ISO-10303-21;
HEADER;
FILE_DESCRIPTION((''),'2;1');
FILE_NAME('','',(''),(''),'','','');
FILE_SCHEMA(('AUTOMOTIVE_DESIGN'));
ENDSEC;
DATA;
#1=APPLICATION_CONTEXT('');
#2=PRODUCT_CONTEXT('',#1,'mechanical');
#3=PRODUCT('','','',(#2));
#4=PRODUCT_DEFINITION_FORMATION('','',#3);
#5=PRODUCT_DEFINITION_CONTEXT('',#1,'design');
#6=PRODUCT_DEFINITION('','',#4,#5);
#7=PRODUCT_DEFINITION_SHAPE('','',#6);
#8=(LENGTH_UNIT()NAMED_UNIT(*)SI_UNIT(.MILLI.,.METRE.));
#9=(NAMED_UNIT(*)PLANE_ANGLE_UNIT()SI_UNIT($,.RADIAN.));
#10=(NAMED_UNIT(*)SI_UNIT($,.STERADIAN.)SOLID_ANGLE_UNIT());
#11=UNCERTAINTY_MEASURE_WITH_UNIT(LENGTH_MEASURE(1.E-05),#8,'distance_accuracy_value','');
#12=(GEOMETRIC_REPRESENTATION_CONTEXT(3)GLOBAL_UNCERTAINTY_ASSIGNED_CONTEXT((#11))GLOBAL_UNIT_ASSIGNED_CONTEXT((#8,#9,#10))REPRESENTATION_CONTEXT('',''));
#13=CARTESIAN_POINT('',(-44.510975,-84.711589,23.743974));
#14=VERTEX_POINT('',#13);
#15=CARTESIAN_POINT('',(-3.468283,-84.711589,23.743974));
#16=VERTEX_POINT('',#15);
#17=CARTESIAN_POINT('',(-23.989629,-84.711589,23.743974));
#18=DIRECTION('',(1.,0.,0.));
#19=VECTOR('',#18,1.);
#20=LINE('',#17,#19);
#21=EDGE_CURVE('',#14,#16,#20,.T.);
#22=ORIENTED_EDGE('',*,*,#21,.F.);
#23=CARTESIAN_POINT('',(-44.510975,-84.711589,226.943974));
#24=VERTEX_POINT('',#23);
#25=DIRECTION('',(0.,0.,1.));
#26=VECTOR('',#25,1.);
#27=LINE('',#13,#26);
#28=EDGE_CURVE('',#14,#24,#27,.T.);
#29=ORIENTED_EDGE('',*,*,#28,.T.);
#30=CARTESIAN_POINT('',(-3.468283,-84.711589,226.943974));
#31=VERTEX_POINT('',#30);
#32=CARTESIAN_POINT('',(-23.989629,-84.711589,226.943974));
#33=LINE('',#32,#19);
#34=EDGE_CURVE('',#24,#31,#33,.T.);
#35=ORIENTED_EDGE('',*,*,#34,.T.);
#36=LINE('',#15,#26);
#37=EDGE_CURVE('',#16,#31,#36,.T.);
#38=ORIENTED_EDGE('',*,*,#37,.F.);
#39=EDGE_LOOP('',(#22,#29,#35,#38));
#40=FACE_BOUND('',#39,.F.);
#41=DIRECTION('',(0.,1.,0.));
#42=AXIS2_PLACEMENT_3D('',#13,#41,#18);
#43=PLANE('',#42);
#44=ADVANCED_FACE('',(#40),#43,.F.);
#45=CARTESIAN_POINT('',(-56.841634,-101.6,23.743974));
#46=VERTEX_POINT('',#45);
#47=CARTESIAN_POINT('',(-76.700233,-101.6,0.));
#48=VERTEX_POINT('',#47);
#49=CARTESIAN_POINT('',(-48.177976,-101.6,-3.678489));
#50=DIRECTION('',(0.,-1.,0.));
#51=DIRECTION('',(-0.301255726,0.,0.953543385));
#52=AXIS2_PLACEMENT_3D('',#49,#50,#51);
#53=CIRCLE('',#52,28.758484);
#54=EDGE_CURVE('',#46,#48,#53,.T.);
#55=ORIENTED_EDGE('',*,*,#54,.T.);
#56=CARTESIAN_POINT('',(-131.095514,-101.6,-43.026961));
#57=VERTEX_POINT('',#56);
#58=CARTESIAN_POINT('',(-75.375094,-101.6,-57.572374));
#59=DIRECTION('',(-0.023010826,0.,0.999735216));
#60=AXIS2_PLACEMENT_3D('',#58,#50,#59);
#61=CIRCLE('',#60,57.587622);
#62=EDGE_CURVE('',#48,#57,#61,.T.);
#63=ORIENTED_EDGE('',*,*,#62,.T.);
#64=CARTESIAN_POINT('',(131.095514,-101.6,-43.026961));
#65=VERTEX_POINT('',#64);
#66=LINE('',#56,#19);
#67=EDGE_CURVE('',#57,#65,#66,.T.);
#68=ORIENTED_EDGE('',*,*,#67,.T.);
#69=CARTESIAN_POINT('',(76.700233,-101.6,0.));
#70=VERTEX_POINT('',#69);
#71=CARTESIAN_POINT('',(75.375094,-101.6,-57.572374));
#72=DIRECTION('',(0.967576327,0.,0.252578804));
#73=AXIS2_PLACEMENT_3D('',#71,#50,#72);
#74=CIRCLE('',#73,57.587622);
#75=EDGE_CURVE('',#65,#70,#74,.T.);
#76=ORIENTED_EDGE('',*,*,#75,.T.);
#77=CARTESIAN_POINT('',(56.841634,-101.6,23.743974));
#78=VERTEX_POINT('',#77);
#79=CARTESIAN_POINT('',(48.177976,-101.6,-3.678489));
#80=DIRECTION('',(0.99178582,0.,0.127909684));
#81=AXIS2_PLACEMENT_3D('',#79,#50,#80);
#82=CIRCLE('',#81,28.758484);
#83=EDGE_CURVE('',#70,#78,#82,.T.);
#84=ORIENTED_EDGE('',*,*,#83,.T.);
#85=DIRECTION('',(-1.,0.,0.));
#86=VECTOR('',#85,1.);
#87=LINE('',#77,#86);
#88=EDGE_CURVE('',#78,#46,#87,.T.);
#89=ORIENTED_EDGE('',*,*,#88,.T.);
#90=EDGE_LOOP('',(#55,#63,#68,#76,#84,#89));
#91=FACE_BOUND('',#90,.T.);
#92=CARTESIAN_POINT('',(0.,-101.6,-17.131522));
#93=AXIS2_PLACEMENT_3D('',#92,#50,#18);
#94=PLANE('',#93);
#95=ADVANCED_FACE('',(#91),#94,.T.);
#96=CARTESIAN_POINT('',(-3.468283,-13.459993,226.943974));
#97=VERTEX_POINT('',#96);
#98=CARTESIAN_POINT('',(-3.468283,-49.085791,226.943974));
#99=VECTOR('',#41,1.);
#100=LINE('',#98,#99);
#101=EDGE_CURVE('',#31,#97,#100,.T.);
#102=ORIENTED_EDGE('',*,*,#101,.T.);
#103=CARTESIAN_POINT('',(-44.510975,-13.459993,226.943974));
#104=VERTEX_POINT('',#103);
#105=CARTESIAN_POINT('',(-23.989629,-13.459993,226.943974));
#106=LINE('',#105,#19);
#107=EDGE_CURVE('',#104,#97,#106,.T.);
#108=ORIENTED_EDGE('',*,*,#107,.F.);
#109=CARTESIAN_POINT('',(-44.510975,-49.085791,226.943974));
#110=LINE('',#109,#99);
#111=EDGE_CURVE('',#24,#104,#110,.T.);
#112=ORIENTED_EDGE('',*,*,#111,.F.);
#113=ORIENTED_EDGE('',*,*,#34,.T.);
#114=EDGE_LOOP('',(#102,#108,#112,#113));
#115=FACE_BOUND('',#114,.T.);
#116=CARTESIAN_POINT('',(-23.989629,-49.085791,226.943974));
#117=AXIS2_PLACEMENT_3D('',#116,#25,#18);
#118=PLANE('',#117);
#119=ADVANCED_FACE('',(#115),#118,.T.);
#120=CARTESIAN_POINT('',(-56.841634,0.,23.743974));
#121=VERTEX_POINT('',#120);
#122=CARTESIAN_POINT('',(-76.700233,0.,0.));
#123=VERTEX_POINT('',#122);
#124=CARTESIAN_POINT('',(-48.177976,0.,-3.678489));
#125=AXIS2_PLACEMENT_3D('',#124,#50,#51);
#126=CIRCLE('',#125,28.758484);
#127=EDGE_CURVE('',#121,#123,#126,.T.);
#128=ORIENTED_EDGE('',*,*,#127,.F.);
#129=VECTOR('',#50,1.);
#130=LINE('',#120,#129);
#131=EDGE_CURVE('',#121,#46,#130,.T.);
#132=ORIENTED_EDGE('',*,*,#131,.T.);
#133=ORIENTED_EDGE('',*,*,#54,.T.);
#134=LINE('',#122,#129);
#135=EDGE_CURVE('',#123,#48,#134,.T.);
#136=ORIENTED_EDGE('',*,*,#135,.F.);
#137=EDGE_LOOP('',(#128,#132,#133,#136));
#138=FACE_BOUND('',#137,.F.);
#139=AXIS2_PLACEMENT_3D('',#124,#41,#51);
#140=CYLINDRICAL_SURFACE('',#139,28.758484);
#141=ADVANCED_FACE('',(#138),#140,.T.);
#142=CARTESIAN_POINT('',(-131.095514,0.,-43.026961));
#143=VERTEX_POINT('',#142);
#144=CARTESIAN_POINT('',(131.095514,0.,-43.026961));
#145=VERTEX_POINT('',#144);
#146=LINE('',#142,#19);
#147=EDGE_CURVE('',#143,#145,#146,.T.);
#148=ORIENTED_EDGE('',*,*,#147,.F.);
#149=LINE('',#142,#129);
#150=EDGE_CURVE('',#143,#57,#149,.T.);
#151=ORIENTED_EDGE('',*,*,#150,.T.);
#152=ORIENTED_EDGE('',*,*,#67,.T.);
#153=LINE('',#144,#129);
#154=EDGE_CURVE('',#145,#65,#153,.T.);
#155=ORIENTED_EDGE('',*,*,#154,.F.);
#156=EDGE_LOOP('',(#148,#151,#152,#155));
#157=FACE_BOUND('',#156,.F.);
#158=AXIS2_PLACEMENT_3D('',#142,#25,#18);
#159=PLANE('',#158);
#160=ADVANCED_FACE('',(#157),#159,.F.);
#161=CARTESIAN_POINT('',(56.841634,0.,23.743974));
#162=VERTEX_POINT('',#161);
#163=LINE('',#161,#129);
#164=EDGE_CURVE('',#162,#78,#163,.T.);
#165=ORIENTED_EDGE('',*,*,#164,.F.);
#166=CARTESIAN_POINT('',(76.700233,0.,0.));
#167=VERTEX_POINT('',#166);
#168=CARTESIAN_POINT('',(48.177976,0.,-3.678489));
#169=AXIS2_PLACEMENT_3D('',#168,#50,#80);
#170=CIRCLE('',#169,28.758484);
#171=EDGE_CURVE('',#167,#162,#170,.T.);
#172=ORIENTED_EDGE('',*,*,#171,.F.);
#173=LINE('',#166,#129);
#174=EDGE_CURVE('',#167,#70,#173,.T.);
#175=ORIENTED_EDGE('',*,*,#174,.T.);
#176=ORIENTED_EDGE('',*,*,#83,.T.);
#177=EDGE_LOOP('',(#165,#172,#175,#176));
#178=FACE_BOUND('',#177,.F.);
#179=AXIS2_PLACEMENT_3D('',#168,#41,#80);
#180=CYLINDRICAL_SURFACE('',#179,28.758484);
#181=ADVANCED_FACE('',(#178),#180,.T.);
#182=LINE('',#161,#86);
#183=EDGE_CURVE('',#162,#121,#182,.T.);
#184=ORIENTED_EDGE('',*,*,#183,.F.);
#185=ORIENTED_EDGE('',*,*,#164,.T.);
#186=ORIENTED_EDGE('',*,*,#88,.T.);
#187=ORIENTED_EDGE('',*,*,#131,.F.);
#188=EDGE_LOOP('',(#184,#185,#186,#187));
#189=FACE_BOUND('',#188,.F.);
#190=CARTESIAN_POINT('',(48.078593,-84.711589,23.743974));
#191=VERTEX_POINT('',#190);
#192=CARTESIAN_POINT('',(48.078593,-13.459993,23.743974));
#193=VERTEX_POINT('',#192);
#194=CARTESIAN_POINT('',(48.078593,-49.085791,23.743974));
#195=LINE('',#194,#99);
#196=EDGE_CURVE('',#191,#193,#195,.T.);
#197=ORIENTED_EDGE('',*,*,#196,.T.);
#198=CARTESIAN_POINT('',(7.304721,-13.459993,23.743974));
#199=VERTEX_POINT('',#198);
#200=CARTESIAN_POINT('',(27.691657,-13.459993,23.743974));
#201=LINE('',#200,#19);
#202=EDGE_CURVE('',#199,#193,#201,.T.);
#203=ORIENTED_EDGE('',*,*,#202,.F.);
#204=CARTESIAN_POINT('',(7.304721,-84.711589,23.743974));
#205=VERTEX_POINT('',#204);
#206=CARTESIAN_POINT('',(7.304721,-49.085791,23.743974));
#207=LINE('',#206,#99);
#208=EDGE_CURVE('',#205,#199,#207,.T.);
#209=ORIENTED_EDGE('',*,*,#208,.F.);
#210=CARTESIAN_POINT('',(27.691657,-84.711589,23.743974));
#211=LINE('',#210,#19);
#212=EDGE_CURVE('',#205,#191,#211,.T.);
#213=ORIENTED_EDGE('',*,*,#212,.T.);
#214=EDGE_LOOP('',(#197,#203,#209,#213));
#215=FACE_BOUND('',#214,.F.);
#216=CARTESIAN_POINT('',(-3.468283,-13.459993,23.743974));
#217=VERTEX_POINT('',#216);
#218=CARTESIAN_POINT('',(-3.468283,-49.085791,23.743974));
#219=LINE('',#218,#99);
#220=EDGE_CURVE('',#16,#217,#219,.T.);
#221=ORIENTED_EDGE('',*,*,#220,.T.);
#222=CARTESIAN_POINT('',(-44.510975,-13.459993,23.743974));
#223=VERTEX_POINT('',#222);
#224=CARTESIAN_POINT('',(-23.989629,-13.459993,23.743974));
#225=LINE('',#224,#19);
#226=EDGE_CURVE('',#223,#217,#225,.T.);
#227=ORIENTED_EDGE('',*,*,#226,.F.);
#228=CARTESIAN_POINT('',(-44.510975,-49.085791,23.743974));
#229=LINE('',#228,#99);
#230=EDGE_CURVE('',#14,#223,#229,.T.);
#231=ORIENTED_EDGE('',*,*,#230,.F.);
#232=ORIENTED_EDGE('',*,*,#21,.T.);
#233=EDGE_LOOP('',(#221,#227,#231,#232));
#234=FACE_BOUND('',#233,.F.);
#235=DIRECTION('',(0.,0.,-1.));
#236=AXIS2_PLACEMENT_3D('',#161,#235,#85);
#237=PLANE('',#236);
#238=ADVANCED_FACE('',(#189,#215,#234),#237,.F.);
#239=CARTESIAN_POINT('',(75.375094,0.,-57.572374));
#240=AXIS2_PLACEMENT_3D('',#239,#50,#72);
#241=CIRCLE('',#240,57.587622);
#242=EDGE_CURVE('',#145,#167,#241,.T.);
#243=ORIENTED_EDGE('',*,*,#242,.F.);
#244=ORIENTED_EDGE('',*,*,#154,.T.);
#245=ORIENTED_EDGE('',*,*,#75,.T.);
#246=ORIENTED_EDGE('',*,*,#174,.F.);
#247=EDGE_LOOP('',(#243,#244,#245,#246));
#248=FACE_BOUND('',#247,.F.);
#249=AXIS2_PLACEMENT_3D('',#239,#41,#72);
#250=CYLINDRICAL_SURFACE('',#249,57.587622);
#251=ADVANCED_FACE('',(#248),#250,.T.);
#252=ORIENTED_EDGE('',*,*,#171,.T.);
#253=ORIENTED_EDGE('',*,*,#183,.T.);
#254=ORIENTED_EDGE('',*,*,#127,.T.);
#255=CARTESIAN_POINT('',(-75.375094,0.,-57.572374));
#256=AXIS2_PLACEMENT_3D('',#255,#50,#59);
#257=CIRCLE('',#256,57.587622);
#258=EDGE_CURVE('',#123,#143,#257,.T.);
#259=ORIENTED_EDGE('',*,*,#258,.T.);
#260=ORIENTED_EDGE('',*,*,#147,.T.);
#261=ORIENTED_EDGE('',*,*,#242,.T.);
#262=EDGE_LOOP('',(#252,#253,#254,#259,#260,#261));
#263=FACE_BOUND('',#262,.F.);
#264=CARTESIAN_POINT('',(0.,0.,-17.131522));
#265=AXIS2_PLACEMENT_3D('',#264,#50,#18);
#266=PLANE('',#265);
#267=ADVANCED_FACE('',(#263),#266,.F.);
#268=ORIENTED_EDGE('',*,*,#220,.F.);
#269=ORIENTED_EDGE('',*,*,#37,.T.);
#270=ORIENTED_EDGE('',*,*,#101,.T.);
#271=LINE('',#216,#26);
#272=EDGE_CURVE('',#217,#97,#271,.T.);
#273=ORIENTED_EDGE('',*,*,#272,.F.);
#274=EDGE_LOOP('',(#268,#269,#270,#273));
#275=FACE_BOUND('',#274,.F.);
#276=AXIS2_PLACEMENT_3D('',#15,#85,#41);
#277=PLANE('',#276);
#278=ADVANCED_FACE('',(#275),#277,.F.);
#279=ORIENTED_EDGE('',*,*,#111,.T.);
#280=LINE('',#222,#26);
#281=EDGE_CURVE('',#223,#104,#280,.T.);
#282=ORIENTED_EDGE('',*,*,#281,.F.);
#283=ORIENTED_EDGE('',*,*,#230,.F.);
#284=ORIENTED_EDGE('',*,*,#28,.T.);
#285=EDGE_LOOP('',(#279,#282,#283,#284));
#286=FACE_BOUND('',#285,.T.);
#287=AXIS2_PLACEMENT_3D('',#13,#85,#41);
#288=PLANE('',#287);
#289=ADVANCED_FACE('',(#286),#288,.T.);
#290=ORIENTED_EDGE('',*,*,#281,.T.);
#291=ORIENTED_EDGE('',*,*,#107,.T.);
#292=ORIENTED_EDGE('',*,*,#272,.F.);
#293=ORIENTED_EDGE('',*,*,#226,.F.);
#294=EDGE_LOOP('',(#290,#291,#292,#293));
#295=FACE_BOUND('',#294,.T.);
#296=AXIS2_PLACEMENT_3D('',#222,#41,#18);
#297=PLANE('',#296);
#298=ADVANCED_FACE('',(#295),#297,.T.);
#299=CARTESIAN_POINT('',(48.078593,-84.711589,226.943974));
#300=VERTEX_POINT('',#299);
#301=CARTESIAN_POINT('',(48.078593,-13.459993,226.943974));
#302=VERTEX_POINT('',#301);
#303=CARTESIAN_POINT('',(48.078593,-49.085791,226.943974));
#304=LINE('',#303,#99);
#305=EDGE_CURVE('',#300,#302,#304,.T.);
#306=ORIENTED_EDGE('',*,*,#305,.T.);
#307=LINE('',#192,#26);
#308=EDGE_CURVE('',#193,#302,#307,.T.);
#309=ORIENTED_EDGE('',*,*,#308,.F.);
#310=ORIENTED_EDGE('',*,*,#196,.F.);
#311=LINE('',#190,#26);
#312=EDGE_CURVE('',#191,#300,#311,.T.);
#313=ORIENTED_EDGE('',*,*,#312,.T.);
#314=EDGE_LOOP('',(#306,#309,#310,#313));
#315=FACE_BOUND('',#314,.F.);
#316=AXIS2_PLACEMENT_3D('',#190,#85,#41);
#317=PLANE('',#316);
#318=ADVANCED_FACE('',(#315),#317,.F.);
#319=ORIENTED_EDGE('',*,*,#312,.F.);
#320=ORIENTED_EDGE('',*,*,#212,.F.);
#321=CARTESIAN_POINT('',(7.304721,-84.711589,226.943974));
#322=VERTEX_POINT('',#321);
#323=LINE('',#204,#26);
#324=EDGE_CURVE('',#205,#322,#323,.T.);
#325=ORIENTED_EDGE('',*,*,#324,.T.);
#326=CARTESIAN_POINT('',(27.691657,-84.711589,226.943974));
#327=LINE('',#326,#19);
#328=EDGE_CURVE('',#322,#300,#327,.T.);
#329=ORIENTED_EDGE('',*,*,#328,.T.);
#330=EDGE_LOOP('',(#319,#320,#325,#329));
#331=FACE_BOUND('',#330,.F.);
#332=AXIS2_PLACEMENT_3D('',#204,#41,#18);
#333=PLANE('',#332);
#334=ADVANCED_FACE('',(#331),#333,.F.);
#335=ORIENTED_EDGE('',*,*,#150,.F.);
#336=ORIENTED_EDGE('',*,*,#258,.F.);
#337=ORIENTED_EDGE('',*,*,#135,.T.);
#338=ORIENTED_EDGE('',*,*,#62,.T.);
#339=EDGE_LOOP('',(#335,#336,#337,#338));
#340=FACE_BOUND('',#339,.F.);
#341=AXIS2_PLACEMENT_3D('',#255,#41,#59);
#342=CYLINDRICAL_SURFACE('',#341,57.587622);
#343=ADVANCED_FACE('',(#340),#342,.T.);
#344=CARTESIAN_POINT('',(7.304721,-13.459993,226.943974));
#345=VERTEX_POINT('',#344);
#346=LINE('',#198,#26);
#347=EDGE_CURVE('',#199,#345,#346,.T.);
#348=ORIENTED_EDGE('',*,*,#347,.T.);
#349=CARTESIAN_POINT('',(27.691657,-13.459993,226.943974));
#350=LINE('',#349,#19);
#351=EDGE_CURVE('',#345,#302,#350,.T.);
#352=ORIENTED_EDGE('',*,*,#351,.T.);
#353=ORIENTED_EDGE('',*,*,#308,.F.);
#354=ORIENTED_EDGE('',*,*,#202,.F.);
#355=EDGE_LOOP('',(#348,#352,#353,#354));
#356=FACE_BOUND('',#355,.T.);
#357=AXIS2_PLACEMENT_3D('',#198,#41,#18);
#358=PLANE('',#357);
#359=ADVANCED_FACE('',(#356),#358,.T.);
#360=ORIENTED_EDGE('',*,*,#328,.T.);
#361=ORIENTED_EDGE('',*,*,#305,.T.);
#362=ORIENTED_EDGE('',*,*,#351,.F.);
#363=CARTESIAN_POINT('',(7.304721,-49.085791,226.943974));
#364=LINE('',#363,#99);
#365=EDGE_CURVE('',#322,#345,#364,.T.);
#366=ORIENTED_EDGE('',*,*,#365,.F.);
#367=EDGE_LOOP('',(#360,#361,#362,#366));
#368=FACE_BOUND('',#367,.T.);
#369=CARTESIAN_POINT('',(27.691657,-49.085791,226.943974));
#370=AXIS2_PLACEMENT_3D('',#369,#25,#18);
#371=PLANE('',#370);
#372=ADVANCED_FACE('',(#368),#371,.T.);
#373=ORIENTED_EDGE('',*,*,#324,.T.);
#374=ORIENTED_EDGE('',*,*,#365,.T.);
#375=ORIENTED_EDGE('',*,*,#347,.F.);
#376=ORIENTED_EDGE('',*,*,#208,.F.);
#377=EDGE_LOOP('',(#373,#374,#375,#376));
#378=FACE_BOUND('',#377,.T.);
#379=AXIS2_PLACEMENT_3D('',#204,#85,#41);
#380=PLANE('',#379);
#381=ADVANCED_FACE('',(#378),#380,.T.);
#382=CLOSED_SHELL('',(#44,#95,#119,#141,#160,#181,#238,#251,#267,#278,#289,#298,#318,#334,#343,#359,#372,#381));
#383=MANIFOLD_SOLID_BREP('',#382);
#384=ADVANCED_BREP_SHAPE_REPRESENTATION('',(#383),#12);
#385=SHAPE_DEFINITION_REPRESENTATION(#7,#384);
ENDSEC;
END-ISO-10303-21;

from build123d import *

# Parameters (mm, degrees)
F1_DEPTH = 101.6
F2_W     = 41.042692
F2_H     = 71.251595
F2_W_2   = 40.773873
F3_DEPTH = 203.2


with BuildPart() as f1:
    # F0 (on Front) → F1 (new body)
    with BuildSketch(Plane.XZ):
        with BuildLine():
            Line((-131.095514, -43.026961), (-122.749157, -43.026961))
            Line((-122.749157, -43.026961), (131.095514, -43.026961))
            ThreePointArc((131.095514, -43.026961), (111.101538, -12.406508), (76.700233, 0))
            ThreePointArc((76.700233, 0), (70.237943, 14.771668), (56.841634, 23.743974))
            Line((56.841634, 23.743974), (-56.841634, 23.743974))
            ThreePointArc((-56.841634, 23.743974), (-70.237943, 14.771668), (-76.700233, 0))
            ThreePointArc((-76.700233, 0), (-111.101538, -12.406508), (-131.095514, -43.026961))
        make_face()
    extrude(amount=F1_DEPTH)

    # F2 (on face) → F3 (join)
    with BuildSketch(Plane.XY.offset(23.743974)):
        with Locations((-23.989629, -49.085791)):
            Rectangle(F2_W, F2_H)
        with Locations((27.691657, -49.085791)):
            Rectangle(F2_W_2, F2_H)
    extrude(amount=F3_DEPTH)


solid = f1.part
